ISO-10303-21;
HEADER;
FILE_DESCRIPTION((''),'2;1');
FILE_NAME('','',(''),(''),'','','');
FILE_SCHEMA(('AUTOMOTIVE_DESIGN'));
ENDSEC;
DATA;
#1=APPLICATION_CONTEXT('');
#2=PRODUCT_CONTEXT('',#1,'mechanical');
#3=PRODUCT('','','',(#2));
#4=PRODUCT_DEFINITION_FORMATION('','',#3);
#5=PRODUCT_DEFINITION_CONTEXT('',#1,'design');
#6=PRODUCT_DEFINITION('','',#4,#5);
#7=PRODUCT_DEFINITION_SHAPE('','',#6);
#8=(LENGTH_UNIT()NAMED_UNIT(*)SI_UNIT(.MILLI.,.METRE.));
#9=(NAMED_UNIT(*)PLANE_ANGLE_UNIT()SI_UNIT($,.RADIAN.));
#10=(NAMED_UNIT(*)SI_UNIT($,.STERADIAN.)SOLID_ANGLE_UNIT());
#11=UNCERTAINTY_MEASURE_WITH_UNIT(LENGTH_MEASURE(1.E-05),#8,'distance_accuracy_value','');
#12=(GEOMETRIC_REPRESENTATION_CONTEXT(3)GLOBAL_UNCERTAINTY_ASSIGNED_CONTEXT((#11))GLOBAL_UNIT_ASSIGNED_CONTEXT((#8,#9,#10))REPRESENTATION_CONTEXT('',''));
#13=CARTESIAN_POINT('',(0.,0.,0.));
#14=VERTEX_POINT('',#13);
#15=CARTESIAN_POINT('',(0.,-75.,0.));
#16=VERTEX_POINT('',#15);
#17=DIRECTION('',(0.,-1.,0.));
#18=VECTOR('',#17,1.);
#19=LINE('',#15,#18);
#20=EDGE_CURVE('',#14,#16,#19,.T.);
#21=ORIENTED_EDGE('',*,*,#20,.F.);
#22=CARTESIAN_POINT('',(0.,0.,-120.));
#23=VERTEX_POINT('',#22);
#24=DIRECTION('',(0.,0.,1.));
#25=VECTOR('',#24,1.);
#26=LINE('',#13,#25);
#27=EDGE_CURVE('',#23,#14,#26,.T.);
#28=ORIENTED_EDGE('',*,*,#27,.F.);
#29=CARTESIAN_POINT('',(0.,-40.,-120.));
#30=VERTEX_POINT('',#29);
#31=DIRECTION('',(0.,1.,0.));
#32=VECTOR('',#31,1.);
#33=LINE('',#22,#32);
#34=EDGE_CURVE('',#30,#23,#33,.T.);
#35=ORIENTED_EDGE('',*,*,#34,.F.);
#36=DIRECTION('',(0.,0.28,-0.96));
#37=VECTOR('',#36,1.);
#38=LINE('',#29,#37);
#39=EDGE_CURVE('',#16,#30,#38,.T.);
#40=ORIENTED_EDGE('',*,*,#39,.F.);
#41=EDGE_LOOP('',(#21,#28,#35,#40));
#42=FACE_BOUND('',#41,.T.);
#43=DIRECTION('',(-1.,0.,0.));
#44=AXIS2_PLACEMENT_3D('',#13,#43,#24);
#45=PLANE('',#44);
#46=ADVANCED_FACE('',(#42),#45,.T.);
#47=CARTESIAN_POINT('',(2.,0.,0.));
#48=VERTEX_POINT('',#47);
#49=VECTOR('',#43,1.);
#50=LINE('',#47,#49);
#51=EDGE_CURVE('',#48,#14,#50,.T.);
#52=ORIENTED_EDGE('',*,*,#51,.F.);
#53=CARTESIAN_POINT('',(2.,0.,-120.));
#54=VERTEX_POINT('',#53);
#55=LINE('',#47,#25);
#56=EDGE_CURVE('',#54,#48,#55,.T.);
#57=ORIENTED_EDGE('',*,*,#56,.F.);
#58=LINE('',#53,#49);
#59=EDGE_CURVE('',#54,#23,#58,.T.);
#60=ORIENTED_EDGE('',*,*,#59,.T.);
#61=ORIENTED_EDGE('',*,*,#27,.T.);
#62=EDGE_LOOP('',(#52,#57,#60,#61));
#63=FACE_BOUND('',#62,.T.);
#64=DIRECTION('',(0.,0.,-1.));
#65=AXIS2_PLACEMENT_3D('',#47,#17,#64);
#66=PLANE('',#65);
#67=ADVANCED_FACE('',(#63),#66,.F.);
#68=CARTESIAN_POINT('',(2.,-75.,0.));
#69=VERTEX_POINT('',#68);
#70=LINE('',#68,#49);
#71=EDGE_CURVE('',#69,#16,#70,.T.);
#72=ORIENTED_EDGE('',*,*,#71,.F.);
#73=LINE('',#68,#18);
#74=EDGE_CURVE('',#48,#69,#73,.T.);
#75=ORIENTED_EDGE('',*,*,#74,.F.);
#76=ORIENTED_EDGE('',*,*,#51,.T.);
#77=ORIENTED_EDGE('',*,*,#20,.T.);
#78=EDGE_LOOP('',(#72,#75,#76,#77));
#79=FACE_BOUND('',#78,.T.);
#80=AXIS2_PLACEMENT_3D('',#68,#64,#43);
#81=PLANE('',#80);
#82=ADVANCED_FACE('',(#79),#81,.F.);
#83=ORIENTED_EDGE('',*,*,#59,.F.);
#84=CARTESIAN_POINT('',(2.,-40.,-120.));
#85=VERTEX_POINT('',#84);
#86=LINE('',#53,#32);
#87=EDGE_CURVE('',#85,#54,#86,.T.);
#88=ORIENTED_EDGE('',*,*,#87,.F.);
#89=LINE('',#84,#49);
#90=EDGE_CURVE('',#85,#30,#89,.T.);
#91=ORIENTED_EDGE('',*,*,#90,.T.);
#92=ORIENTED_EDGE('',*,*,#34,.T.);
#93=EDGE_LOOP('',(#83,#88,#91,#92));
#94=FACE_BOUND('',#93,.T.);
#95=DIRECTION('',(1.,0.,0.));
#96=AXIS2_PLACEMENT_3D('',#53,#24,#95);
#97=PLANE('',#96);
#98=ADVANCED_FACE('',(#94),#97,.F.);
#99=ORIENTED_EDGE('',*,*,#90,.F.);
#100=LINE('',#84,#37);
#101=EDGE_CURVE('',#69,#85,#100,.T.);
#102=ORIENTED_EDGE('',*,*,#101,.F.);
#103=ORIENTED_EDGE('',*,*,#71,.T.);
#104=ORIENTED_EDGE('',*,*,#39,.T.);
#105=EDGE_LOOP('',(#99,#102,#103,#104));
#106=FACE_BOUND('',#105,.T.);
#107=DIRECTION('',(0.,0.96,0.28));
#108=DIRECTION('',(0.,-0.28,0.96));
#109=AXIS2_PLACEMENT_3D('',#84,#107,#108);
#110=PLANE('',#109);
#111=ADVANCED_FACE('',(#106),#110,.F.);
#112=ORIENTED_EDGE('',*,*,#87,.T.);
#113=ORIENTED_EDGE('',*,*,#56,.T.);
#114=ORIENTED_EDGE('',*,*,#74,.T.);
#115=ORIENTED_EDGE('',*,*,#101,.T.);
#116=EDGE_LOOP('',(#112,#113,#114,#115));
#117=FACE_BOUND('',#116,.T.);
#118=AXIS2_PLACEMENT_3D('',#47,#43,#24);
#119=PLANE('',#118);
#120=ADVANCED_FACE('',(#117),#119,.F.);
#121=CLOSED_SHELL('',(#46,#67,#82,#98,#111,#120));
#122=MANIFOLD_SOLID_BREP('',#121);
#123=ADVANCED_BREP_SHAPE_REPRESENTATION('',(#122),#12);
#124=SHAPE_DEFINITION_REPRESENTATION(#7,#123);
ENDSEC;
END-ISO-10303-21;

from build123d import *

# Parameters (mm, degrees)
BOSS_EXTRUDE1_DEPTH = 2


with BuildPart() as part:
    # Sketch2 → Boss-Extrude1 (new body)
    with BuildSketch(Plane(origin=(0, 0, 0), x_dir=(0, 0, -1), z_dir=(1, 0, 0))):
        Polygon((0, -75), (0, 0), (120, 0), (120, -40), align=None)
    extrude(amount=BOSS_EXTRUDE1_DEPTH)


solid = part.part
